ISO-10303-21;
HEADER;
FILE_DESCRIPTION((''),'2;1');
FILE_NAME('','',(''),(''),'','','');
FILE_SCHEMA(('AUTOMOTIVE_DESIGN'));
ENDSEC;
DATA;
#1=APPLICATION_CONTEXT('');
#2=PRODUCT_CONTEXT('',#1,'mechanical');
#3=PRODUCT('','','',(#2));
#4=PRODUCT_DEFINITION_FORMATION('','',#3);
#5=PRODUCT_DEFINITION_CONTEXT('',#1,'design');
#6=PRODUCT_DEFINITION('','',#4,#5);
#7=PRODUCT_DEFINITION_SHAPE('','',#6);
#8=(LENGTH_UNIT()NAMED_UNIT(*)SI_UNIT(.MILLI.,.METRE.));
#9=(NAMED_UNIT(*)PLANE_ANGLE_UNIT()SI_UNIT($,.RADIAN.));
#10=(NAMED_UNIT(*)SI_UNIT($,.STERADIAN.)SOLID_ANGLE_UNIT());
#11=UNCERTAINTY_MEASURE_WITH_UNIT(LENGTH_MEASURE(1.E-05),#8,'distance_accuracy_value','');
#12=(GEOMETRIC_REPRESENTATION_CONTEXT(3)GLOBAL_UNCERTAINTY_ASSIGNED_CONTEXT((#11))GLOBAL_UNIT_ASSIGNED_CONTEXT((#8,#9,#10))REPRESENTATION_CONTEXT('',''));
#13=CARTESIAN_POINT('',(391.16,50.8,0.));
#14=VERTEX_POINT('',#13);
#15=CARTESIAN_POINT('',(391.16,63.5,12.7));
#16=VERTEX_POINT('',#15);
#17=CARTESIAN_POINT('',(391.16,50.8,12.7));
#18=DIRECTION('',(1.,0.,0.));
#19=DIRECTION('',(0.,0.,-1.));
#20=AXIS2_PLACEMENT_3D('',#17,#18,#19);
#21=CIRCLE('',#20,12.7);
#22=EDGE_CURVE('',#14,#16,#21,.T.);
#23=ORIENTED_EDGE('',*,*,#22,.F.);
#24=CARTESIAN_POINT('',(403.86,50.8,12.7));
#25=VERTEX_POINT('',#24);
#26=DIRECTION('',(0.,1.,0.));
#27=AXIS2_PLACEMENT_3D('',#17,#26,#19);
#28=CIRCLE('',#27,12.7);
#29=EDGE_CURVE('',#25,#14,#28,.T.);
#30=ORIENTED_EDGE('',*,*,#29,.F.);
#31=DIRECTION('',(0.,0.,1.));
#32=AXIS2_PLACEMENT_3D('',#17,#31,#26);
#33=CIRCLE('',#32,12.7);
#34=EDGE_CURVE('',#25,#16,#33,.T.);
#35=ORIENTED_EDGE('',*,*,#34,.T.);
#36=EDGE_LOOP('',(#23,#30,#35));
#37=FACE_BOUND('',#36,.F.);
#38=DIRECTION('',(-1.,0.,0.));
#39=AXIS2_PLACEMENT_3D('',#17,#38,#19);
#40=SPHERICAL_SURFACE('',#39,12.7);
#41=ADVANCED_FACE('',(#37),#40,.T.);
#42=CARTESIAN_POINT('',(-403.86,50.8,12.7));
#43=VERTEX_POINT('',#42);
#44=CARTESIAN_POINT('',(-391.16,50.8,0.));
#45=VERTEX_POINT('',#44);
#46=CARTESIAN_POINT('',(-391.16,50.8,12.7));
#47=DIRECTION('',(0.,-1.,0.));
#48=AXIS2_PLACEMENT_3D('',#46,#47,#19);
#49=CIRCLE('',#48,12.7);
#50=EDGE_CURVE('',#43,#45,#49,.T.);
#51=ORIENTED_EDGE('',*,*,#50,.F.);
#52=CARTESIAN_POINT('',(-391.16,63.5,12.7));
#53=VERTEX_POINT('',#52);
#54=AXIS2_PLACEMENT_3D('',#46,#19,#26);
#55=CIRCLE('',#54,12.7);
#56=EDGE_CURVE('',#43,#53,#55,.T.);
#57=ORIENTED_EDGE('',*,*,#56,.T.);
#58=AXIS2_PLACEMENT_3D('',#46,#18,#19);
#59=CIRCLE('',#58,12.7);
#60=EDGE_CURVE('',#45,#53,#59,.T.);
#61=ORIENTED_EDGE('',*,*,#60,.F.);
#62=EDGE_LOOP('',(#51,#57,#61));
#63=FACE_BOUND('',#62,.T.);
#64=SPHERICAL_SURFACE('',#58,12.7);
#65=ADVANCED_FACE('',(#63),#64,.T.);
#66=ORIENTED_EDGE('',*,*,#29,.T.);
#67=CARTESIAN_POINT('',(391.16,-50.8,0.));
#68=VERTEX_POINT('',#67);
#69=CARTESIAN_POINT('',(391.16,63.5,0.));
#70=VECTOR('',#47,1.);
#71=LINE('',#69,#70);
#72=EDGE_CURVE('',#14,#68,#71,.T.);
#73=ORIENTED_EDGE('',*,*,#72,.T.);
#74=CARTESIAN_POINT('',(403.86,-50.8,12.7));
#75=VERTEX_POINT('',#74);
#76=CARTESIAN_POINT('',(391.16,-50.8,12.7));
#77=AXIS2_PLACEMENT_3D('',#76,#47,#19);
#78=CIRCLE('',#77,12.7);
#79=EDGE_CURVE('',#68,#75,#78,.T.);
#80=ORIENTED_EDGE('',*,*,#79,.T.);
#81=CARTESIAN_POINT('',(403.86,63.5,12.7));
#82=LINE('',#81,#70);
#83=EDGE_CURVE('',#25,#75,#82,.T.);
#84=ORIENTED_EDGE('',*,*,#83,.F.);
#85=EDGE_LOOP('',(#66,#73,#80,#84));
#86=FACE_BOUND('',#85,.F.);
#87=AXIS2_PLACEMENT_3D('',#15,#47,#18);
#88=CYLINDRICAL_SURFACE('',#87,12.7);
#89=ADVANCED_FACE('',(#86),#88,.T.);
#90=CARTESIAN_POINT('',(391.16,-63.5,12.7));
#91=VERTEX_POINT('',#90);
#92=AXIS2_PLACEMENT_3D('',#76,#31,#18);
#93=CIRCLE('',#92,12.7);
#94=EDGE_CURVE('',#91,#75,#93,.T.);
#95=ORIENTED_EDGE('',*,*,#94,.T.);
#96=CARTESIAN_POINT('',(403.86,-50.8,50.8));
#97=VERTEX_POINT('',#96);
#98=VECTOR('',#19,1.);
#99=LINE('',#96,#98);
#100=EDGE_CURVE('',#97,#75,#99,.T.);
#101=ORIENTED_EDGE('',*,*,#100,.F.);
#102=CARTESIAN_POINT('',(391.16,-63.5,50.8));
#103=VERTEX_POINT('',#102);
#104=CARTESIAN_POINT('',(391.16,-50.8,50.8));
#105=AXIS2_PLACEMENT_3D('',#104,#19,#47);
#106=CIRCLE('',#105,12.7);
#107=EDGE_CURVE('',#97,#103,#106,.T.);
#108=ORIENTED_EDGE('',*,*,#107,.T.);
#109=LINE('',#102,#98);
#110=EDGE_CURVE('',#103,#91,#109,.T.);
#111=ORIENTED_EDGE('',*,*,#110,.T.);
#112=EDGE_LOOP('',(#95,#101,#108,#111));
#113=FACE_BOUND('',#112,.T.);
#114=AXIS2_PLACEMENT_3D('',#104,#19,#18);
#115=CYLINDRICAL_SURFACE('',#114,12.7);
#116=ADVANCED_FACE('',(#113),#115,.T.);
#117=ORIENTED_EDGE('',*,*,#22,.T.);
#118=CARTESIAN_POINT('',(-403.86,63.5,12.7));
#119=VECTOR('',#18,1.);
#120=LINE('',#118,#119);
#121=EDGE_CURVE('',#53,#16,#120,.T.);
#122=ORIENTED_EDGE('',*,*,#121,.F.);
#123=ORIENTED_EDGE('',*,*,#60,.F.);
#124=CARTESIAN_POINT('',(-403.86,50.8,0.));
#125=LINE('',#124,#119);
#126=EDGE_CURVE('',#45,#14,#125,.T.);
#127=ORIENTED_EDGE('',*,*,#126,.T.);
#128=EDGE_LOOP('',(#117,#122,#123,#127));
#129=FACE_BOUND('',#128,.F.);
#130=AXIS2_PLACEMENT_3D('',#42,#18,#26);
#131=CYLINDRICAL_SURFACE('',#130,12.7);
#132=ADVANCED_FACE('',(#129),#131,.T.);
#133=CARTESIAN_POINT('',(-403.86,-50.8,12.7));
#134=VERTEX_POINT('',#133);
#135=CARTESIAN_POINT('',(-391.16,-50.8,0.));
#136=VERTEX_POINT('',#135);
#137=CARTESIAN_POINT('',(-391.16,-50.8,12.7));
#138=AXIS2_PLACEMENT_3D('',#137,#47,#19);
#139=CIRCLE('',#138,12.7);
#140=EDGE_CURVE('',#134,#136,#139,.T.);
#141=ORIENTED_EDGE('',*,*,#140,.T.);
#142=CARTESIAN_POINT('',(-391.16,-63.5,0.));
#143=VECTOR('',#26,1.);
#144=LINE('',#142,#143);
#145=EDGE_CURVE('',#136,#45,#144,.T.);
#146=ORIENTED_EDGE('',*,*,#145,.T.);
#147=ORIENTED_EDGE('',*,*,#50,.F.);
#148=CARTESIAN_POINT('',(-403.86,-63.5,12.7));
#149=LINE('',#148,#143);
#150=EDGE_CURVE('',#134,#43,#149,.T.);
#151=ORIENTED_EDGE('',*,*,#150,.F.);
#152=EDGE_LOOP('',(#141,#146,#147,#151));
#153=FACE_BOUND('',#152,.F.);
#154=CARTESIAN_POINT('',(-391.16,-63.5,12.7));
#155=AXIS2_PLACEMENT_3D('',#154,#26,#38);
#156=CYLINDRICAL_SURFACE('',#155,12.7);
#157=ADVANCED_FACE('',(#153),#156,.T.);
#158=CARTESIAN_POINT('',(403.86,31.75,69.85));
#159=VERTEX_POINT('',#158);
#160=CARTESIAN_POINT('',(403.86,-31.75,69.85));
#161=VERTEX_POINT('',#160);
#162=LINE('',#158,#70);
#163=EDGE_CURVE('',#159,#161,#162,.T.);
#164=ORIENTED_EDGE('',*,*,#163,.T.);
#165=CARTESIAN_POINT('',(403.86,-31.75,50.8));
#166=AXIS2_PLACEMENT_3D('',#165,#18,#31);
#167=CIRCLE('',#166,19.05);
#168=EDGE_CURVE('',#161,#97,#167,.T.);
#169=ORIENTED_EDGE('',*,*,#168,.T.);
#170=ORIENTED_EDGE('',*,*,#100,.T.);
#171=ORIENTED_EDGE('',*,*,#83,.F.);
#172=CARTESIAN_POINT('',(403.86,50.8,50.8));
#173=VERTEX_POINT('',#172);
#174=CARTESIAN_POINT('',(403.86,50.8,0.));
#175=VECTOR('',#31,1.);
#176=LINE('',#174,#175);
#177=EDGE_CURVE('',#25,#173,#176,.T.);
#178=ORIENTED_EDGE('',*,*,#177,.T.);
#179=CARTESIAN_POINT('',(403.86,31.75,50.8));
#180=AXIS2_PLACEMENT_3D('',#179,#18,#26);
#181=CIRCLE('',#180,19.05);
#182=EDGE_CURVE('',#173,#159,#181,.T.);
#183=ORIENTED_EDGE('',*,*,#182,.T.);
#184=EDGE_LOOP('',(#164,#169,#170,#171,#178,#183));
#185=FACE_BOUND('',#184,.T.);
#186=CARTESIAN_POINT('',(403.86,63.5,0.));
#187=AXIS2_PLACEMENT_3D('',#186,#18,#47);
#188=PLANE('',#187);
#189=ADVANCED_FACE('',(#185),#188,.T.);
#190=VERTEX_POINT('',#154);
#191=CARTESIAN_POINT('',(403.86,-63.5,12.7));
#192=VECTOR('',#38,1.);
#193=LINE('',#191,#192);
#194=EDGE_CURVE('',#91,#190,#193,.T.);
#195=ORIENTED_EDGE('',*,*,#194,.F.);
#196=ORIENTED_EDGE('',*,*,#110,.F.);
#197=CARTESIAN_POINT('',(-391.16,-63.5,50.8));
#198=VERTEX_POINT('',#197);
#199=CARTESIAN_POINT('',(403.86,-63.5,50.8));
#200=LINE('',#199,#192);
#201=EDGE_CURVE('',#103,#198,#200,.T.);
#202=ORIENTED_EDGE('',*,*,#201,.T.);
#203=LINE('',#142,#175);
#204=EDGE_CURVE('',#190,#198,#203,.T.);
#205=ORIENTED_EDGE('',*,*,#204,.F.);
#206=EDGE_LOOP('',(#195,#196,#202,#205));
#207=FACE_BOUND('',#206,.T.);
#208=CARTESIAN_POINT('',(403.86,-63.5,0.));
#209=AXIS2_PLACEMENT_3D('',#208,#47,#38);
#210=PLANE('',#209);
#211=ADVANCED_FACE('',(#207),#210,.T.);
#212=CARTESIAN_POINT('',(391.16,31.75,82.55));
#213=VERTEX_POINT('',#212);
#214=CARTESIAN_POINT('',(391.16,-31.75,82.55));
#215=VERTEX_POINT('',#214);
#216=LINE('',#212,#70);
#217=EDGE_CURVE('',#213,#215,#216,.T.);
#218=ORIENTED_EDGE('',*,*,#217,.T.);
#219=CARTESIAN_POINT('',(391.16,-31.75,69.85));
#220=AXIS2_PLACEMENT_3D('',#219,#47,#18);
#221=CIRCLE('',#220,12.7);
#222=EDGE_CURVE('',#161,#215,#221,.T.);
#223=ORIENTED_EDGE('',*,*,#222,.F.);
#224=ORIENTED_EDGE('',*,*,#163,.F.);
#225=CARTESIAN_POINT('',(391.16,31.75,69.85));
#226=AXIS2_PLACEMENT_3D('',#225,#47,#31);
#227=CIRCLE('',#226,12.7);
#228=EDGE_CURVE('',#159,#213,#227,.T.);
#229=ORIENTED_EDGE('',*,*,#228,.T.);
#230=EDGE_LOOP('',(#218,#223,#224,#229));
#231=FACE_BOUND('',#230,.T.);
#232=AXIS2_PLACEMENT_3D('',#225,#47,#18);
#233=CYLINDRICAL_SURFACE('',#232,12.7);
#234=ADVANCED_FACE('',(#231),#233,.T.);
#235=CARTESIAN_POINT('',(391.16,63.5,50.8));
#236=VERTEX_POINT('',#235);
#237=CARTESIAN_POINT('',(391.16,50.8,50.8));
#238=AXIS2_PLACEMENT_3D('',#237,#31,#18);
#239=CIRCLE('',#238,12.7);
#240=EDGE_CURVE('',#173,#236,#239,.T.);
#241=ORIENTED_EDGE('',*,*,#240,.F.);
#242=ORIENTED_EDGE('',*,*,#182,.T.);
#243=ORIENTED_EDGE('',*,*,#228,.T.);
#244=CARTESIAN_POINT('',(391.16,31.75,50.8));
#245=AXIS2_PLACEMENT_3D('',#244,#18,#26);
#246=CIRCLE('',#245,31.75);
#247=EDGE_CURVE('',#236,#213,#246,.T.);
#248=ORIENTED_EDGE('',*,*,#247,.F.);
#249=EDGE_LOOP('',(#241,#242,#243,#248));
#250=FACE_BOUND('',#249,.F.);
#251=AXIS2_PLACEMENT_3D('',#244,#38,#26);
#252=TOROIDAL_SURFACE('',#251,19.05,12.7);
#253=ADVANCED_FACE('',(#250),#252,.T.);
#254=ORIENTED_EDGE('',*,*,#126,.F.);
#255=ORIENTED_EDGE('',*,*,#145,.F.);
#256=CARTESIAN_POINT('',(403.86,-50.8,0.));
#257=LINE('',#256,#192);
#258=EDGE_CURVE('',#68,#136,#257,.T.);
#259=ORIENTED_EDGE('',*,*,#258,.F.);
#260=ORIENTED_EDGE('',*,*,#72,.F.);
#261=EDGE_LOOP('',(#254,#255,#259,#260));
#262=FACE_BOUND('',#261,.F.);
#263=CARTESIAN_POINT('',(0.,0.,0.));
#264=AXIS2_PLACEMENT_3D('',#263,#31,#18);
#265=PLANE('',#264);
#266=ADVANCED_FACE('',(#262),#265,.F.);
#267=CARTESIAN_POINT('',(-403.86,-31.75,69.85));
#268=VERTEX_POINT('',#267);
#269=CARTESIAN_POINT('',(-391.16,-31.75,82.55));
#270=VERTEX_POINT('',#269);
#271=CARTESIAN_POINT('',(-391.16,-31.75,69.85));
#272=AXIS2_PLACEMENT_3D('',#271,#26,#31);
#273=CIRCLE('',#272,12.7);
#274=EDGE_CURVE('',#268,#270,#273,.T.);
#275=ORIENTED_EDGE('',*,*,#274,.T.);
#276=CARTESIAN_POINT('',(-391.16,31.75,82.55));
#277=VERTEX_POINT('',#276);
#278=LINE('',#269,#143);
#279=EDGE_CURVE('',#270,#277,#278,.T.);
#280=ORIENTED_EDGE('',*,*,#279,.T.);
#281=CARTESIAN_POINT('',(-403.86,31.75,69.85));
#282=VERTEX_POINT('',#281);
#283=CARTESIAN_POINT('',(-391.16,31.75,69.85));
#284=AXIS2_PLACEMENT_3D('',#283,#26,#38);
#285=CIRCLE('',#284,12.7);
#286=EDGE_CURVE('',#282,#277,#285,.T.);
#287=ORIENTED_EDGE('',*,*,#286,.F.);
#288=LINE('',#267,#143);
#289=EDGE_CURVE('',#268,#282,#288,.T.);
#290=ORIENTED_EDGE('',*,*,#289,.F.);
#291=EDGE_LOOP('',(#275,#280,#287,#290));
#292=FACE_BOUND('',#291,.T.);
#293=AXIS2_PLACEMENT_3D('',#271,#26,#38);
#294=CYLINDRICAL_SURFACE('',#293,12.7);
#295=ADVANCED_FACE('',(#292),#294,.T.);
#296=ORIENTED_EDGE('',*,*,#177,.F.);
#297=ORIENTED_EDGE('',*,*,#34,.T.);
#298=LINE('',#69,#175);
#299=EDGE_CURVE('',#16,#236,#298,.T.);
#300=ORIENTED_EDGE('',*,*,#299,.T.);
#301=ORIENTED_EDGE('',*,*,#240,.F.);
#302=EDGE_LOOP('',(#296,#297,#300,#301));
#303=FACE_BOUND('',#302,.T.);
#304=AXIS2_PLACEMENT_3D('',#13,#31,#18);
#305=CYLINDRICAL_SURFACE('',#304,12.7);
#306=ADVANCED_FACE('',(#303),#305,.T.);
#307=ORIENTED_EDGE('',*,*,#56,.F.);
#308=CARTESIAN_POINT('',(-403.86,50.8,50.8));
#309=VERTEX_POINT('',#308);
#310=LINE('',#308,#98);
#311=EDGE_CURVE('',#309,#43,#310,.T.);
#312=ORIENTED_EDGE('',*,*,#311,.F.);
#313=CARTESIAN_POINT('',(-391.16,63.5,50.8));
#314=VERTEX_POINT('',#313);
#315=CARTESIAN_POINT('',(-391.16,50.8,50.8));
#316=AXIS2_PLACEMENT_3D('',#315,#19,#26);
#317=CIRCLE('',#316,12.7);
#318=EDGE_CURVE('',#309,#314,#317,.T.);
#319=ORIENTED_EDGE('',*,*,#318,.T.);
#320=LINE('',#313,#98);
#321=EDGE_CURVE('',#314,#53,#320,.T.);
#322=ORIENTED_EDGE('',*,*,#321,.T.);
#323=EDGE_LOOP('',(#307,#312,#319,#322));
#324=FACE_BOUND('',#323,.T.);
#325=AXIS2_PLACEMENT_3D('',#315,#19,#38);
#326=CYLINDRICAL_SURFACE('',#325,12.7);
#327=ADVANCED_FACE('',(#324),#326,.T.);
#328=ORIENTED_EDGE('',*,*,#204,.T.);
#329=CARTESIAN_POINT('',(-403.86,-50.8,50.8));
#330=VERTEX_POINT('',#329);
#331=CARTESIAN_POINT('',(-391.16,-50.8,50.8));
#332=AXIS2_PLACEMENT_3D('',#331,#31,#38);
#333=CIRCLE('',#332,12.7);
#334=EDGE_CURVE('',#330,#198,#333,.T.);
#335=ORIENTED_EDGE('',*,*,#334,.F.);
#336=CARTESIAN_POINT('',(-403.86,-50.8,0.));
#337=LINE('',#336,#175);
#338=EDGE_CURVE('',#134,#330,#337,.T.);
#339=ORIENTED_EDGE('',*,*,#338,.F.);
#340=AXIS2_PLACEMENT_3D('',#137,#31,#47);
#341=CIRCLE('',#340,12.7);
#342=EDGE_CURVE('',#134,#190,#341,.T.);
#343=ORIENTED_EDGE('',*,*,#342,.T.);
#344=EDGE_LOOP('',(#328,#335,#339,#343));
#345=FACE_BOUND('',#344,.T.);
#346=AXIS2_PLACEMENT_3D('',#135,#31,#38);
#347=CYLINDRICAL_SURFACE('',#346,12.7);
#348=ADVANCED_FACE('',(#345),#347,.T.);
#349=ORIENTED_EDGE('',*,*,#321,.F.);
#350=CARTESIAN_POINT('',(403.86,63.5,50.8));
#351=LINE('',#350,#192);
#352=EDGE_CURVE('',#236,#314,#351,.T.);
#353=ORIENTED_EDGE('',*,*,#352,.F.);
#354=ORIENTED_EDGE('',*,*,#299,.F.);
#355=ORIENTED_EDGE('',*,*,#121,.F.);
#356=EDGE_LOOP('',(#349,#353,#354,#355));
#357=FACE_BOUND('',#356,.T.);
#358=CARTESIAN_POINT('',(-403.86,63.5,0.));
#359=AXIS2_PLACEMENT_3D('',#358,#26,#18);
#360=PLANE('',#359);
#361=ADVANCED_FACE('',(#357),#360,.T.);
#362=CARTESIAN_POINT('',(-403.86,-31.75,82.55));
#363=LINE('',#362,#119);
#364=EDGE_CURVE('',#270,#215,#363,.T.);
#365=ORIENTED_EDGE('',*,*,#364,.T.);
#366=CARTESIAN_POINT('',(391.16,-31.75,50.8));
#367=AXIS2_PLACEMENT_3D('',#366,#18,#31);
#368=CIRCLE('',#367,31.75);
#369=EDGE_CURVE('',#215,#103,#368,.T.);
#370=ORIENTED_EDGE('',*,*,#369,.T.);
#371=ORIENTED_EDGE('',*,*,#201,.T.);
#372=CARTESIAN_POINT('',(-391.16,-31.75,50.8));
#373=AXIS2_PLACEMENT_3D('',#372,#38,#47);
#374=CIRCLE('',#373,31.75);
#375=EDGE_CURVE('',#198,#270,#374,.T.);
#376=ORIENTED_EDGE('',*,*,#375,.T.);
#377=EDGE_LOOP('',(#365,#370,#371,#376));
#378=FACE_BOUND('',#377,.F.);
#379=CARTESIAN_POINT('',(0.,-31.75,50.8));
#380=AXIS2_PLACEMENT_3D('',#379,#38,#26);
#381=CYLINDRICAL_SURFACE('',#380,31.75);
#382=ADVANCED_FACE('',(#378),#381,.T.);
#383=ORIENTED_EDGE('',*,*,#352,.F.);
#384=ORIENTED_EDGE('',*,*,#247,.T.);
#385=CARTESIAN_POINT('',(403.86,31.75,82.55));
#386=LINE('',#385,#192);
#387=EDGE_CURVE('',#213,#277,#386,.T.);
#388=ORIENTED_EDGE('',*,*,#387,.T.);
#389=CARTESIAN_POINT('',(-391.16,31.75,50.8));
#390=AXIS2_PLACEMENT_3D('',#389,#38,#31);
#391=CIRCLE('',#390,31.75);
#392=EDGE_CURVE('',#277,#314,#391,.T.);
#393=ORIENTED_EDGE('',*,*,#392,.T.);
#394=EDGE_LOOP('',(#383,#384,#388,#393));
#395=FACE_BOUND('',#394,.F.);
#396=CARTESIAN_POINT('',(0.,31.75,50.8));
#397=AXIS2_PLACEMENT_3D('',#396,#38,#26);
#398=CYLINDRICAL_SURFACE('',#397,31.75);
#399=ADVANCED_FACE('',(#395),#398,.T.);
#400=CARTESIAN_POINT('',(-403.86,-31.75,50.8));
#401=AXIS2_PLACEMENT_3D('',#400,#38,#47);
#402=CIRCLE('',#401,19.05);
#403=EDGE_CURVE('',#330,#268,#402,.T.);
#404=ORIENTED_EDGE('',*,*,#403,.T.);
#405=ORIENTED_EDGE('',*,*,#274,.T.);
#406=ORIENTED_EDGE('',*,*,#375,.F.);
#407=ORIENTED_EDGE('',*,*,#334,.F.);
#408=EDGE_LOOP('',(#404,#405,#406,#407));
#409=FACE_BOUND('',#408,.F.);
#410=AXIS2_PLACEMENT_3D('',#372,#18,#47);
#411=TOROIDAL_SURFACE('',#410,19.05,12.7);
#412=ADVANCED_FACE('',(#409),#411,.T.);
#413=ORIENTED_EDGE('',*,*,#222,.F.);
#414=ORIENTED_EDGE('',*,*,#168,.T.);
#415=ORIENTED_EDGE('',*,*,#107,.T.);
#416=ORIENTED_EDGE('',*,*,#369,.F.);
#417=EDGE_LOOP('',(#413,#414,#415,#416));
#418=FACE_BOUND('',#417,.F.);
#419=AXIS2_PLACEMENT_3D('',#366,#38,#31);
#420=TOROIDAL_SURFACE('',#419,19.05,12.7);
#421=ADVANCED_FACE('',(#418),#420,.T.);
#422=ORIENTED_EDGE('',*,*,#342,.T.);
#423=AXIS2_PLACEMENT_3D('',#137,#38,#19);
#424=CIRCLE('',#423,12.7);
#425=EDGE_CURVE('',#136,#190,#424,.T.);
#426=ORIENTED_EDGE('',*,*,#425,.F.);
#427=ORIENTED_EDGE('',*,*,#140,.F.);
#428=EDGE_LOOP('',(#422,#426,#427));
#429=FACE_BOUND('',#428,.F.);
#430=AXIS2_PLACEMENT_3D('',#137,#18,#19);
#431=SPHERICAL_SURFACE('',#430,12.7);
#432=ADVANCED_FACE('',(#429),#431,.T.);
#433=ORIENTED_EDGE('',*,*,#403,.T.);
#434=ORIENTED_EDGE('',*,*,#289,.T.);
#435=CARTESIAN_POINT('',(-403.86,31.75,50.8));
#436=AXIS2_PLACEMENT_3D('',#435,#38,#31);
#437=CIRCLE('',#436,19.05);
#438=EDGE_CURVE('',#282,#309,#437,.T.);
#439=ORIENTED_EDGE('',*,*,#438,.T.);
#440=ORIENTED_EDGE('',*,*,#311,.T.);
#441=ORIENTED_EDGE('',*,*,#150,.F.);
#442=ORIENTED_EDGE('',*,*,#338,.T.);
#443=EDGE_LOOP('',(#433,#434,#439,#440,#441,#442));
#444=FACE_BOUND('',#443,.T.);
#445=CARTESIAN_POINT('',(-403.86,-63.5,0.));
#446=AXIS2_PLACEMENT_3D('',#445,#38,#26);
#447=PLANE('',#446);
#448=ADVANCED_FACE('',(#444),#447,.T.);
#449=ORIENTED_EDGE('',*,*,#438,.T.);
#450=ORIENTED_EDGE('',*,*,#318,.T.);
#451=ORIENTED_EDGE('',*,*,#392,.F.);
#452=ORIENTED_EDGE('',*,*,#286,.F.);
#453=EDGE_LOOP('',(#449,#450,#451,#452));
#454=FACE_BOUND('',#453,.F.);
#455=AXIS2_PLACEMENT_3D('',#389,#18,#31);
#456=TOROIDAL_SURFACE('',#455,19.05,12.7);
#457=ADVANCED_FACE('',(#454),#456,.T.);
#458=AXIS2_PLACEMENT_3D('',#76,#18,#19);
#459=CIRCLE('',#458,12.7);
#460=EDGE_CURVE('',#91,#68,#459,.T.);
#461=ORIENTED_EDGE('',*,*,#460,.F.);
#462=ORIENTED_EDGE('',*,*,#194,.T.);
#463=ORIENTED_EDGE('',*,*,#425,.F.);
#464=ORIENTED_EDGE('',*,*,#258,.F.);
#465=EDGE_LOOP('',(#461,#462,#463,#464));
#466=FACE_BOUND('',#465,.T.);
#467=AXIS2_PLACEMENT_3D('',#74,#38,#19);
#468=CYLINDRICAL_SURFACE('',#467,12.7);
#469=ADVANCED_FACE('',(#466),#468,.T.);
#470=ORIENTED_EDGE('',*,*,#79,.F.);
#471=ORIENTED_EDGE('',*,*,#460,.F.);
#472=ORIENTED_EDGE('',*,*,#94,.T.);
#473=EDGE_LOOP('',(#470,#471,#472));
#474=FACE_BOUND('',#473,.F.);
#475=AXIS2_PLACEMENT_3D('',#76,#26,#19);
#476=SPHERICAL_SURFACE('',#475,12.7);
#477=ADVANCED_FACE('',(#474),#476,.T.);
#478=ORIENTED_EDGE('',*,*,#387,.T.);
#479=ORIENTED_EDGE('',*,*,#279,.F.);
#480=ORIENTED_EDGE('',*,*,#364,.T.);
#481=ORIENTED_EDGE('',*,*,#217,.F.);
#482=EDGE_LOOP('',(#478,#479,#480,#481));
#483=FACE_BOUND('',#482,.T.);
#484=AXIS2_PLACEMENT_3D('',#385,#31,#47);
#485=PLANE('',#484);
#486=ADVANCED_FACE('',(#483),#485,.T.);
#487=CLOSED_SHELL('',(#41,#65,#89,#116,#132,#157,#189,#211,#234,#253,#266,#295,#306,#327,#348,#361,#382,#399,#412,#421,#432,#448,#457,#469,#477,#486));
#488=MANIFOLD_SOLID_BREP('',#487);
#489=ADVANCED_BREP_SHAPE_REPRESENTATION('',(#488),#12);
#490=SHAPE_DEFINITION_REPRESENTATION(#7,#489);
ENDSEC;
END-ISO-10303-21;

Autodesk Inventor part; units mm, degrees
ref_plane "YZ Plane" through (0, 0, 0) normal (1, 0, 0) x (0, 1, 0)
ref_plane "XZ Plane" through (0, 0, 0) normal (0, 1, 0) x (-1, 0, 0)
ref_plane "XY Plane" through (0, 0, 0) normal (0, 0, 1) x (1, 0, 0)
sketch "Sketch1" plane through (0, 0, 0) normal (0, 0, 1) x (1, 0, 0)
  line L0 (-403.86, 63.5) -> (403.86, 63.5)
  line L1 (403.86, 63.5) -> (403.86, -63.5)
  line L2 (403.86, -63.5) -> (-403.86, -63.5)
  line L3 (-403.86, -63.5) -> (-403.86, 63.5)
  point P0 (0, 0)
  point P1 (-403.86, 0)
  point P2 (0, 63.5)
  dimension "d0" = 807.72
  dimension "d1" = 127
extrude "Extrusion1" add sketch "Sketch1" along normal blind 19.05
sketch "Sketch2" plane through (0, 0, 0) normal (1, 0, 0) x (0, 1, 0)
  line L0 (63.5, 19.05) -> (63.5, 0) construction
  line L1 (63.5, 0) -> (-63.5, 0) construction
  line L2 (-63.5, 0) -> (-63.5, 19.05) construction
  line L3 (-63.5, 19.05) -> (63.5, 19.05) construction
  circle A0 centre (31.75, 50.8) radius 31.75
  circle A1 centre (-31.75, 50.8) radius 31.75
  point P0 (0, 0)
  dimension "d4" = 63.5
  dimension "d5" = 63.5
extrude "Extrusion2" add sketch "Sketch2" along normal mid plane 807.72
sketch "Sketch4" plane through (403.86, -63.5, 0) normal (1, 0, 0) x (0, 0, -1)
  line L0 (-19.05, 127) -> (0, 127) projected
  line L1 (0, 127) -> (0, 0) projected
  line L2 (0, 0) -> (-19.05, 0) projected
  line L3 (-19.05, 0) -> (-19.05, 31.75) projected
  line L4 (-19.05, 31.75) -> (-19.05, 95.25) projected
  arc A0 (-50.8, 63.5) -> (-19.05, 95.25) centre (-50.8, 95.25) ccw projected
  arc A1 (-50.8, 63.5) -> (-19.05, 31.75) centre (-50.8, 31.75) ccw projected
  arc A2 (-19.05, 31.75) -> (-50.8, 63.5) centre (-50.8, 31.75) ccw projected
  arc A3 (-19.05, 95.25) -> (-50.8, 63.5) centre (-50.8, 95.25) ccw projected
  line L5 (-19.05, 95.25) -> (-19.05, 127) projected
  line L6 (-19.05, 127) -> (-50.8, 127)
  line L7 (-82.55, 95.25) -> (-82.55, 31.75)
  line L8 (-50.8, 0) -> (-19.05, 0)
  point P0 (0, 63.5)
extrude "Extrusion4" add sketch "Sketch4" against normal blind 807.72 contours L5 A3 L6 | L4 A2 A0 | L3 L8 A1 | A1 L7 A3
fillet "Fillet1" radius 12.7 14 edges at (0, 63.5, 0) (403.86, 0, 0) (0, -63.5, 0) (-403.86, 0, 0) (403.86, -63.5, 25.4) (-403.86, -63.5, 25.4) (403.86, -54.2006, 73.2506) (403.86, 0, 82.55) (403.86, 54.2006, 73.2506) (403.86, 63.5, 25.4) (-403.86, -54.2006, 73.2506) (-403.86, 0, 82.55) (-403.86, 54.2006, 73.2506) (-403.86, 63.5, 25.4)
equation "\"d6\" = d0"
equation "\"d10\" = d0"
properties part number "SideBumpers"
